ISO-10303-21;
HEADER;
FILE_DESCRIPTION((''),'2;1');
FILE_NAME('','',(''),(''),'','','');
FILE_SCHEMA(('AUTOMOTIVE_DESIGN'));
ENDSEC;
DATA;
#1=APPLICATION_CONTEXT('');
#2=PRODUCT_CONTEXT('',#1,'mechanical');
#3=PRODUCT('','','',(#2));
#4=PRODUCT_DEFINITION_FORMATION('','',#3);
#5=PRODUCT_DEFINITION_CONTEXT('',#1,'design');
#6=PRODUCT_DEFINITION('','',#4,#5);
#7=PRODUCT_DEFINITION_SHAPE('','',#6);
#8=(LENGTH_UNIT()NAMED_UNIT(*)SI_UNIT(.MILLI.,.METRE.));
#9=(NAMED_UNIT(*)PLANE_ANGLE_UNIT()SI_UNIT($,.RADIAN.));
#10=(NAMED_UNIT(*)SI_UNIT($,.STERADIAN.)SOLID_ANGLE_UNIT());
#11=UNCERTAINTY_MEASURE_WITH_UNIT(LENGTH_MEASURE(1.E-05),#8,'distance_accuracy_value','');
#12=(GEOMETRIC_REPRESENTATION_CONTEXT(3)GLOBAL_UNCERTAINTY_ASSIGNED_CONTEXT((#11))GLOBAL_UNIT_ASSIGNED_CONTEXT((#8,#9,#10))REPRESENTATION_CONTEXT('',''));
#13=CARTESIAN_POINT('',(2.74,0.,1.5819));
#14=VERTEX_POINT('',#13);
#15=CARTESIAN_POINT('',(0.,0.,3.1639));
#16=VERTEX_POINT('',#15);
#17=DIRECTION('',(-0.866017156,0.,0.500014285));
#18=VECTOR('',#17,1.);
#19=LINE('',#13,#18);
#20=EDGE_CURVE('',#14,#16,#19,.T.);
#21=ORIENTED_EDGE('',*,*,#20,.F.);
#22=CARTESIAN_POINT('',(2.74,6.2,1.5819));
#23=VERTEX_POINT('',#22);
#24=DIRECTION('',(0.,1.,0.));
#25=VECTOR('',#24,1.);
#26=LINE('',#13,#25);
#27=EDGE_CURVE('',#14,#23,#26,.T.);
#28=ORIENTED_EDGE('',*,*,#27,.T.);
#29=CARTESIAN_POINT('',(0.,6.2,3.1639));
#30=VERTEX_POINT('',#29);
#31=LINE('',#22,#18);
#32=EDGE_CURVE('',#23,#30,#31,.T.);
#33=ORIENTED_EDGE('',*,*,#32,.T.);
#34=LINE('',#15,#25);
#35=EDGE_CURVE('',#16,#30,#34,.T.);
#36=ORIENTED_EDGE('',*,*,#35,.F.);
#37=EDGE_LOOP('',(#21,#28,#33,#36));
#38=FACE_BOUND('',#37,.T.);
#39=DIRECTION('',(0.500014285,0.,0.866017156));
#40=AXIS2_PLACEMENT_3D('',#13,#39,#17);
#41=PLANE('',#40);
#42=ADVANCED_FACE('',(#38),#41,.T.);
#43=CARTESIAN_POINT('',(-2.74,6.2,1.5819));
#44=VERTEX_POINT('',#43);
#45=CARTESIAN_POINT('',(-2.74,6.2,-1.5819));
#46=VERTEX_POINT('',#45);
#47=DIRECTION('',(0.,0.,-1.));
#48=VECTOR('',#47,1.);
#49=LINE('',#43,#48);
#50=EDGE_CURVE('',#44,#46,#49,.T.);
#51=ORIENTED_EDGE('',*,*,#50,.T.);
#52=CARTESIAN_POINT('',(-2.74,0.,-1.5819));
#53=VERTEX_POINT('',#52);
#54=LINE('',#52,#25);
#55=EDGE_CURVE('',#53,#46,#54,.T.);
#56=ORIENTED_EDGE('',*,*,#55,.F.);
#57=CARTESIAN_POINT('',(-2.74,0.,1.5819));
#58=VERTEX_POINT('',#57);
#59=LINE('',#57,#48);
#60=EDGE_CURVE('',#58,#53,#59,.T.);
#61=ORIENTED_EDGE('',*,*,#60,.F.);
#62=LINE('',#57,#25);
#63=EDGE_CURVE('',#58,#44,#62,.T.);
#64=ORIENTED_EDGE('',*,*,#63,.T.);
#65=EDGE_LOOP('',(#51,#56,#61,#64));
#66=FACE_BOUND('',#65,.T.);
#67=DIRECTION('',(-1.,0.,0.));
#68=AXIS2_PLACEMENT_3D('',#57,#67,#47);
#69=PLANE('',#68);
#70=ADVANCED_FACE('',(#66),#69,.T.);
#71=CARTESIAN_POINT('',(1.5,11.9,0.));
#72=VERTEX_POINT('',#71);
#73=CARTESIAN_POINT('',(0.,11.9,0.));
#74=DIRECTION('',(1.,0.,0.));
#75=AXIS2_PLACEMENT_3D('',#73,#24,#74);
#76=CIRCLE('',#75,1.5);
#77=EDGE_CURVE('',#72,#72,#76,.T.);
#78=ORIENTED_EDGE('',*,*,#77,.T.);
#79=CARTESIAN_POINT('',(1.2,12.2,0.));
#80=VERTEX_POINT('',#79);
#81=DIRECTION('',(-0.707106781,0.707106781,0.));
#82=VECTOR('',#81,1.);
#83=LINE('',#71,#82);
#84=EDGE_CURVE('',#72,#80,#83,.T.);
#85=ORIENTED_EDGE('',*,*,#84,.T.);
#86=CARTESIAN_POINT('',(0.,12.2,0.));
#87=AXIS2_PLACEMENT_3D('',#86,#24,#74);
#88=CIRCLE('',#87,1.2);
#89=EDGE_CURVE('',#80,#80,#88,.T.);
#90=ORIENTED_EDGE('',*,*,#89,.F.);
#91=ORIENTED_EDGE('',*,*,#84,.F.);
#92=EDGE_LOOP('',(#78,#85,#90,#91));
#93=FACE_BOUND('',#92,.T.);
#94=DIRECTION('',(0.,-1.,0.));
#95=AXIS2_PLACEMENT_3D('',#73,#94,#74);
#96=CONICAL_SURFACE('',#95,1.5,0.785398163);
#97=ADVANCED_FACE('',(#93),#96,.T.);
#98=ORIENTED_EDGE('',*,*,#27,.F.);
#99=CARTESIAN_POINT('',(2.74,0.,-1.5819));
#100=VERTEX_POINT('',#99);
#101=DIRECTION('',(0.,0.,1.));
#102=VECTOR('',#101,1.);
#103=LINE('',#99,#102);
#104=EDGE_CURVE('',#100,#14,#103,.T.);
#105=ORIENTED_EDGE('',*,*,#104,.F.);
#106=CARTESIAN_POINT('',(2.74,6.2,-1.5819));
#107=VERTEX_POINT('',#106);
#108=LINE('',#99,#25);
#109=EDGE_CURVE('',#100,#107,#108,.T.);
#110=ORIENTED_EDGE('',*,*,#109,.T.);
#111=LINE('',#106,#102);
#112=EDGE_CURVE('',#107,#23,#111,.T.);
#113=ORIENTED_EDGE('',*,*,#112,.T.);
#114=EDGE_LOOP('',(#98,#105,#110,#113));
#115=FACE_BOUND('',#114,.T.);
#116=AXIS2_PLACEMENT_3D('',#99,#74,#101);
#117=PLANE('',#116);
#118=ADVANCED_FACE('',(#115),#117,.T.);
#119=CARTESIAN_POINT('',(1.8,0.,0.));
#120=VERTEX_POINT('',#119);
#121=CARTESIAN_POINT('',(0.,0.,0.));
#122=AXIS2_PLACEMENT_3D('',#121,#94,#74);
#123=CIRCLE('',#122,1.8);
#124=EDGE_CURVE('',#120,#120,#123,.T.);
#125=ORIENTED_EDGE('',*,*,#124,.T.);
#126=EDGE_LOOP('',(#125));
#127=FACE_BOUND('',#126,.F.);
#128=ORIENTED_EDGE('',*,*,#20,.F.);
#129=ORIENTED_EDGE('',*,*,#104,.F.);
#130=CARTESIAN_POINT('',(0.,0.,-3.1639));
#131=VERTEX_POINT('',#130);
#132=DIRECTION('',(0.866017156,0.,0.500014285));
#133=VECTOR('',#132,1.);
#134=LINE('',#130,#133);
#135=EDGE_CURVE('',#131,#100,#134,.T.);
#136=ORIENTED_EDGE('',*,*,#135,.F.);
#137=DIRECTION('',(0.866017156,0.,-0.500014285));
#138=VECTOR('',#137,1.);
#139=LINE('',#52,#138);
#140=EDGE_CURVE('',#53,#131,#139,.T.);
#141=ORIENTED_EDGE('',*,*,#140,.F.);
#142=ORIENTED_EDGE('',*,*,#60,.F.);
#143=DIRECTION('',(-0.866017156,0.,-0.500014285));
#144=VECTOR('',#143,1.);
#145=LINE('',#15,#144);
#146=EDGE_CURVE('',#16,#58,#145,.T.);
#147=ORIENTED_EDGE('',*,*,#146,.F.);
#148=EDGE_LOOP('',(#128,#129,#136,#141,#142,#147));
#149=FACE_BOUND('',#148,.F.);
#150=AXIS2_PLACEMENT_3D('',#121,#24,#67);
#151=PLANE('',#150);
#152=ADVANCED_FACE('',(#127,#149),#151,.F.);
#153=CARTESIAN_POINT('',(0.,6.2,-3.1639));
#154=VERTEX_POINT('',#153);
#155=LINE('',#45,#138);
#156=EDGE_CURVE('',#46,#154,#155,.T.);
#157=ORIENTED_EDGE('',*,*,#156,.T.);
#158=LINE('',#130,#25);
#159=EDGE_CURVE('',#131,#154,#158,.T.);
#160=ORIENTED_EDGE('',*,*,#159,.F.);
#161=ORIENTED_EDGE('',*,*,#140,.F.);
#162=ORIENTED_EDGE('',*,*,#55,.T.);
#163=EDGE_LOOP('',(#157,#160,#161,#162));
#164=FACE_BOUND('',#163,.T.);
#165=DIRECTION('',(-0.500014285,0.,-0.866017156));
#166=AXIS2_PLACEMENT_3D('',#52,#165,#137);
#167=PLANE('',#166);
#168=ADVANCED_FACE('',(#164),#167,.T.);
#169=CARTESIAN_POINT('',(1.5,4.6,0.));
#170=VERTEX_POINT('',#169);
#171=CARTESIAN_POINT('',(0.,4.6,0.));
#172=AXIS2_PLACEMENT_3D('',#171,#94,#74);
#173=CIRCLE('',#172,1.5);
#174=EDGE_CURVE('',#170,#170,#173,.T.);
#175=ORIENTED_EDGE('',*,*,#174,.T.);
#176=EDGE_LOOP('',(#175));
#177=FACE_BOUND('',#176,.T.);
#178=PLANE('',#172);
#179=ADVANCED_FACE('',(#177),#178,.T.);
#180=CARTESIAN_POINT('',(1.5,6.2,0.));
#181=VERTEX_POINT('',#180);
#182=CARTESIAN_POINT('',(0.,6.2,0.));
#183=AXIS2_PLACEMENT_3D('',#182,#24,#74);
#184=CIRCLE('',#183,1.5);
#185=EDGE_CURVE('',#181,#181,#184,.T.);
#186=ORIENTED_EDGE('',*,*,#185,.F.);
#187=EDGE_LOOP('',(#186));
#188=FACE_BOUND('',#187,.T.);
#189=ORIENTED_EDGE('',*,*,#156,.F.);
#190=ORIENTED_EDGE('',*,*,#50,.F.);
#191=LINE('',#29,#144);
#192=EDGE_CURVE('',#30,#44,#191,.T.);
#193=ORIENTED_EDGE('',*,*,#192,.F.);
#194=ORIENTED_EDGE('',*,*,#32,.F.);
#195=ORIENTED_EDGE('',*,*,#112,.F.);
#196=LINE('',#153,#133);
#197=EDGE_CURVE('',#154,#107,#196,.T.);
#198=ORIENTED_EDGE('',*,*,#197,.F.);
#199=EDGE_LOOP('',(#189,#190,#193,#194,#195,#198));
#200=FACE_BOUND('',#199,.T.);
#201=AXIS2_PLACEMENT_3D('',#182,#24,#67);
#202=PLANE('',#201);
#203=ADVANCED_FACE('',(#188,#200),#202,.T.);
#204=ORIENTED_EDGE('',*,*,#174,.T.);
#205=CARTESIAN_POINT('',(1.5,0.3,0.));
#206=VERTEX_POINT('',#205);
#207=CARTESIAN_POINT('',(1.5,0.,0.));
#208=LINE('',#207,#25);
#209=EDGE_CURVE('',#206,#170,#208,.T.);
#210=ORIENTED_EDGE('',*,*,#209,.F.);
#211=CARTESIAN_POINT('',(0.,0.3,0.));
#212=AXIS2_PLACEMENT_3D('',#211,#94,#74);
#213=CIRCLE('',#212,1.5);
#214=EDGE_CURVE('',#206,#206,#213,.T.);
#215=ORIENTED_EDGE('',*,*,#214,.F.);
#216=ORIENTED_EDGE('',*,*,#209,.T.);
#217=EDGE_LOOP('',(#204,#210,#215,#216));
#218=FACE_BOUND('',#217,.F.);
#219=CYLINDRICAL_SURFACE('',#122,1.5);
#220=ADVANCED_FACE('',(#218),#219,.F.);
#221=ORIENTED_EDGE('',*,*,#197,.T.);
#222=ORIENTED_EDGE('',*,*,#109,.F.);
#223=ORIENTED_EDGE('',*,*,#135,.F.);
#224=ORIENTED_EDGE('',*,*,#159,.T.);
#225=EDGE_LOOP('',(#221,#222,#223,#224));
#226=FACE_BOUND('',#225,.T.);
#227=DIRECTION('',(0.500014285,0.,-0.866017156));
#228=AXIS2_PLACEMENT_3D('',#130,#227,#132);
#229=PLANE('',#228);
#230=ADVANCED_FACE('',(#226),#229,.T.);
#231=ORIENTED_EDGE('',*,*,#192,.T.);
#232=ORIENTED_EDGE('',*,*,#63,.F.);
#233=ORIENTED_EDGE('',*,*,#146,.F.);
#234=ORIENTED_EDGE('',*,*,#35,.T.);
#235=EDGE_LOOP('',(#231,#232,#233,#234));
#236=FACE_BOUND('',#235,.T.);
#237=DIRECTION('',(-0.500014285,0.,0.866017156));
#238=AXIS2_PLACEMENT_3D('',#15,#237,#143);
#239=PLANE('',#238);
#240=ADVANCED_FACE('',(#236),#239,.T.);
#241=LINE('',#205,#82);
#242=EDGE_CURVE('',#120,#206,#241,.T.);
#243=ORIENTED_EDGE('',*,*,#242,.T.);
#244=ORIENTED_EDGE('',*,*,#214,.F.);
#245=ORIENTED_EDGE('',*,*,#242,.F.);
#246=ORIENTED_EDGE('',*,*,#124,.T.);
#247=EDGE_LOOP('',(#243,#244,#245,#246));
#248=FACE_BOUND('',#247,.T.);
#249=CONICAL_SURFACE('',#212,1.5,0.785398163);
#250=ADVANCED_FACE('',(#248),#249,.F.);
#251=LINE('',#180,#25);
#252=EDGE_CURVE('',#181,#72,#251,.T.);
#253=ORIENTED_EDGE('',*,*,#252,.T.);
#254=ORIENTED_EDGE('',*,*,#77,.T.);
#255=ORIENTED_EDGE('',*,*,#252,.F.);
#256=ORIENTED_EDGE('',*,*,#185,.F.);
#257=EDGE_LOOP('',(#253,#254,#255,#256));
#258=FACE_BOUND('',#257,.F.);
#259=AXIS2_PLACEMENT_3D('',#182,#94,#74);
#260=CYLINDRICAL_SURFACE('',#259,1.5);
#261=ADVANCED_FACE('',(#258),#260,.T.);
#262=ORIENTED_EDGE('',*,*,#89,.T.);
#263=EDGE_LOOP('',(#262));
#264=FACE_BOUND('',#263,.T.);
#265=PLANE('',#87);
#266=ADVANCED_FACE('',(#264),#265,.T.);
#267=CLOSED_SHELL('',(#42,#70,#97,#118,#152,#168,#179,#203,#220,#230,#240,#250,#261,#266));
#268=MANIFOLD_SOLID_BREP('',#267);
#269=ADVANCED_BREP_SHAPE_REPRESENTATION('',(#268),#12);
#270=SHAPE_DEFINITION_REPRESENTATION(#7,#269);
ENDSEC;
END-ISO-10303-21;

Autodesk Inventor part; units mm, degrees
ref_plane "YZ Plane" through (0, 0, 0) normal (1, 0, 0) x (0, 1, 0)
ref_plane "XZ Plane" through (0, 0, 0) normal (0, 1, 0) x (-1, 0, 0)
ref_plane "XY Plane" through (0, 0, 0) normal (0, 0, 1) x (1, 0, 0)
sketch "Sketch1" plane through (0, 0, 0) normal (0, 1, 0) x (-1, 0, 0)
  line L0 (0, 3.1639) -> (2.74, 1.5819)
  line L1 (2.74, 1.5819) -> (2.74, -1.5819)
  line L2 (2.74, -1.5819) -> (0, -3.1639)
  line L3 (0, -3.1639) -> (-2.74, -1.5819)
  line L4 (-2.74, -1.5819) -> (-2.74, 1.5819)
  line L5 (-2.74, 1.5819) -> (0, 3.1639)
  point P0 (0, 0)
  point P1 (0, 0)
  dimension "d0" = 5.48
extrude "Extrusion1" add sketch "Sketch1" along normal blind 6.2
sketch "Sketch2" plane through (0, 6.2, 0) normal (0, 1, 0) x (1, 0, 0)
  circle A0 centre (0, 0) radius 1.5
  dimension "d3" = 3
extrude "Extrusion2" add sketch "Sketch2" along normal blind 6
thread "Thread1" size "M3x0.5" class "6g" standard "ANSI Metric M Profile" full length
chamfer "Chamfer1" distance 0.3 angle 45 1 edges at (-1.5, 12.2, 0)
sketch "Sketch3" plane through (0, 0, 0) normal (0, -1, 0) x (1, 0, 0)
  circle A0 centre (0, 0) radius 1.5
  dimension "d11" = 3
extrude "Extrusion3" cut sketch "Sketch3" against normal blind 4.6
thread "Thread2" size "M3x0.5" class "6H" standard "ANSI Metric M Profile" full length
chamfer "Chamfer2" distance 0.3 angle 45 1 edges at (-1.5, 0, 0)
properties part number "20mm_support"
